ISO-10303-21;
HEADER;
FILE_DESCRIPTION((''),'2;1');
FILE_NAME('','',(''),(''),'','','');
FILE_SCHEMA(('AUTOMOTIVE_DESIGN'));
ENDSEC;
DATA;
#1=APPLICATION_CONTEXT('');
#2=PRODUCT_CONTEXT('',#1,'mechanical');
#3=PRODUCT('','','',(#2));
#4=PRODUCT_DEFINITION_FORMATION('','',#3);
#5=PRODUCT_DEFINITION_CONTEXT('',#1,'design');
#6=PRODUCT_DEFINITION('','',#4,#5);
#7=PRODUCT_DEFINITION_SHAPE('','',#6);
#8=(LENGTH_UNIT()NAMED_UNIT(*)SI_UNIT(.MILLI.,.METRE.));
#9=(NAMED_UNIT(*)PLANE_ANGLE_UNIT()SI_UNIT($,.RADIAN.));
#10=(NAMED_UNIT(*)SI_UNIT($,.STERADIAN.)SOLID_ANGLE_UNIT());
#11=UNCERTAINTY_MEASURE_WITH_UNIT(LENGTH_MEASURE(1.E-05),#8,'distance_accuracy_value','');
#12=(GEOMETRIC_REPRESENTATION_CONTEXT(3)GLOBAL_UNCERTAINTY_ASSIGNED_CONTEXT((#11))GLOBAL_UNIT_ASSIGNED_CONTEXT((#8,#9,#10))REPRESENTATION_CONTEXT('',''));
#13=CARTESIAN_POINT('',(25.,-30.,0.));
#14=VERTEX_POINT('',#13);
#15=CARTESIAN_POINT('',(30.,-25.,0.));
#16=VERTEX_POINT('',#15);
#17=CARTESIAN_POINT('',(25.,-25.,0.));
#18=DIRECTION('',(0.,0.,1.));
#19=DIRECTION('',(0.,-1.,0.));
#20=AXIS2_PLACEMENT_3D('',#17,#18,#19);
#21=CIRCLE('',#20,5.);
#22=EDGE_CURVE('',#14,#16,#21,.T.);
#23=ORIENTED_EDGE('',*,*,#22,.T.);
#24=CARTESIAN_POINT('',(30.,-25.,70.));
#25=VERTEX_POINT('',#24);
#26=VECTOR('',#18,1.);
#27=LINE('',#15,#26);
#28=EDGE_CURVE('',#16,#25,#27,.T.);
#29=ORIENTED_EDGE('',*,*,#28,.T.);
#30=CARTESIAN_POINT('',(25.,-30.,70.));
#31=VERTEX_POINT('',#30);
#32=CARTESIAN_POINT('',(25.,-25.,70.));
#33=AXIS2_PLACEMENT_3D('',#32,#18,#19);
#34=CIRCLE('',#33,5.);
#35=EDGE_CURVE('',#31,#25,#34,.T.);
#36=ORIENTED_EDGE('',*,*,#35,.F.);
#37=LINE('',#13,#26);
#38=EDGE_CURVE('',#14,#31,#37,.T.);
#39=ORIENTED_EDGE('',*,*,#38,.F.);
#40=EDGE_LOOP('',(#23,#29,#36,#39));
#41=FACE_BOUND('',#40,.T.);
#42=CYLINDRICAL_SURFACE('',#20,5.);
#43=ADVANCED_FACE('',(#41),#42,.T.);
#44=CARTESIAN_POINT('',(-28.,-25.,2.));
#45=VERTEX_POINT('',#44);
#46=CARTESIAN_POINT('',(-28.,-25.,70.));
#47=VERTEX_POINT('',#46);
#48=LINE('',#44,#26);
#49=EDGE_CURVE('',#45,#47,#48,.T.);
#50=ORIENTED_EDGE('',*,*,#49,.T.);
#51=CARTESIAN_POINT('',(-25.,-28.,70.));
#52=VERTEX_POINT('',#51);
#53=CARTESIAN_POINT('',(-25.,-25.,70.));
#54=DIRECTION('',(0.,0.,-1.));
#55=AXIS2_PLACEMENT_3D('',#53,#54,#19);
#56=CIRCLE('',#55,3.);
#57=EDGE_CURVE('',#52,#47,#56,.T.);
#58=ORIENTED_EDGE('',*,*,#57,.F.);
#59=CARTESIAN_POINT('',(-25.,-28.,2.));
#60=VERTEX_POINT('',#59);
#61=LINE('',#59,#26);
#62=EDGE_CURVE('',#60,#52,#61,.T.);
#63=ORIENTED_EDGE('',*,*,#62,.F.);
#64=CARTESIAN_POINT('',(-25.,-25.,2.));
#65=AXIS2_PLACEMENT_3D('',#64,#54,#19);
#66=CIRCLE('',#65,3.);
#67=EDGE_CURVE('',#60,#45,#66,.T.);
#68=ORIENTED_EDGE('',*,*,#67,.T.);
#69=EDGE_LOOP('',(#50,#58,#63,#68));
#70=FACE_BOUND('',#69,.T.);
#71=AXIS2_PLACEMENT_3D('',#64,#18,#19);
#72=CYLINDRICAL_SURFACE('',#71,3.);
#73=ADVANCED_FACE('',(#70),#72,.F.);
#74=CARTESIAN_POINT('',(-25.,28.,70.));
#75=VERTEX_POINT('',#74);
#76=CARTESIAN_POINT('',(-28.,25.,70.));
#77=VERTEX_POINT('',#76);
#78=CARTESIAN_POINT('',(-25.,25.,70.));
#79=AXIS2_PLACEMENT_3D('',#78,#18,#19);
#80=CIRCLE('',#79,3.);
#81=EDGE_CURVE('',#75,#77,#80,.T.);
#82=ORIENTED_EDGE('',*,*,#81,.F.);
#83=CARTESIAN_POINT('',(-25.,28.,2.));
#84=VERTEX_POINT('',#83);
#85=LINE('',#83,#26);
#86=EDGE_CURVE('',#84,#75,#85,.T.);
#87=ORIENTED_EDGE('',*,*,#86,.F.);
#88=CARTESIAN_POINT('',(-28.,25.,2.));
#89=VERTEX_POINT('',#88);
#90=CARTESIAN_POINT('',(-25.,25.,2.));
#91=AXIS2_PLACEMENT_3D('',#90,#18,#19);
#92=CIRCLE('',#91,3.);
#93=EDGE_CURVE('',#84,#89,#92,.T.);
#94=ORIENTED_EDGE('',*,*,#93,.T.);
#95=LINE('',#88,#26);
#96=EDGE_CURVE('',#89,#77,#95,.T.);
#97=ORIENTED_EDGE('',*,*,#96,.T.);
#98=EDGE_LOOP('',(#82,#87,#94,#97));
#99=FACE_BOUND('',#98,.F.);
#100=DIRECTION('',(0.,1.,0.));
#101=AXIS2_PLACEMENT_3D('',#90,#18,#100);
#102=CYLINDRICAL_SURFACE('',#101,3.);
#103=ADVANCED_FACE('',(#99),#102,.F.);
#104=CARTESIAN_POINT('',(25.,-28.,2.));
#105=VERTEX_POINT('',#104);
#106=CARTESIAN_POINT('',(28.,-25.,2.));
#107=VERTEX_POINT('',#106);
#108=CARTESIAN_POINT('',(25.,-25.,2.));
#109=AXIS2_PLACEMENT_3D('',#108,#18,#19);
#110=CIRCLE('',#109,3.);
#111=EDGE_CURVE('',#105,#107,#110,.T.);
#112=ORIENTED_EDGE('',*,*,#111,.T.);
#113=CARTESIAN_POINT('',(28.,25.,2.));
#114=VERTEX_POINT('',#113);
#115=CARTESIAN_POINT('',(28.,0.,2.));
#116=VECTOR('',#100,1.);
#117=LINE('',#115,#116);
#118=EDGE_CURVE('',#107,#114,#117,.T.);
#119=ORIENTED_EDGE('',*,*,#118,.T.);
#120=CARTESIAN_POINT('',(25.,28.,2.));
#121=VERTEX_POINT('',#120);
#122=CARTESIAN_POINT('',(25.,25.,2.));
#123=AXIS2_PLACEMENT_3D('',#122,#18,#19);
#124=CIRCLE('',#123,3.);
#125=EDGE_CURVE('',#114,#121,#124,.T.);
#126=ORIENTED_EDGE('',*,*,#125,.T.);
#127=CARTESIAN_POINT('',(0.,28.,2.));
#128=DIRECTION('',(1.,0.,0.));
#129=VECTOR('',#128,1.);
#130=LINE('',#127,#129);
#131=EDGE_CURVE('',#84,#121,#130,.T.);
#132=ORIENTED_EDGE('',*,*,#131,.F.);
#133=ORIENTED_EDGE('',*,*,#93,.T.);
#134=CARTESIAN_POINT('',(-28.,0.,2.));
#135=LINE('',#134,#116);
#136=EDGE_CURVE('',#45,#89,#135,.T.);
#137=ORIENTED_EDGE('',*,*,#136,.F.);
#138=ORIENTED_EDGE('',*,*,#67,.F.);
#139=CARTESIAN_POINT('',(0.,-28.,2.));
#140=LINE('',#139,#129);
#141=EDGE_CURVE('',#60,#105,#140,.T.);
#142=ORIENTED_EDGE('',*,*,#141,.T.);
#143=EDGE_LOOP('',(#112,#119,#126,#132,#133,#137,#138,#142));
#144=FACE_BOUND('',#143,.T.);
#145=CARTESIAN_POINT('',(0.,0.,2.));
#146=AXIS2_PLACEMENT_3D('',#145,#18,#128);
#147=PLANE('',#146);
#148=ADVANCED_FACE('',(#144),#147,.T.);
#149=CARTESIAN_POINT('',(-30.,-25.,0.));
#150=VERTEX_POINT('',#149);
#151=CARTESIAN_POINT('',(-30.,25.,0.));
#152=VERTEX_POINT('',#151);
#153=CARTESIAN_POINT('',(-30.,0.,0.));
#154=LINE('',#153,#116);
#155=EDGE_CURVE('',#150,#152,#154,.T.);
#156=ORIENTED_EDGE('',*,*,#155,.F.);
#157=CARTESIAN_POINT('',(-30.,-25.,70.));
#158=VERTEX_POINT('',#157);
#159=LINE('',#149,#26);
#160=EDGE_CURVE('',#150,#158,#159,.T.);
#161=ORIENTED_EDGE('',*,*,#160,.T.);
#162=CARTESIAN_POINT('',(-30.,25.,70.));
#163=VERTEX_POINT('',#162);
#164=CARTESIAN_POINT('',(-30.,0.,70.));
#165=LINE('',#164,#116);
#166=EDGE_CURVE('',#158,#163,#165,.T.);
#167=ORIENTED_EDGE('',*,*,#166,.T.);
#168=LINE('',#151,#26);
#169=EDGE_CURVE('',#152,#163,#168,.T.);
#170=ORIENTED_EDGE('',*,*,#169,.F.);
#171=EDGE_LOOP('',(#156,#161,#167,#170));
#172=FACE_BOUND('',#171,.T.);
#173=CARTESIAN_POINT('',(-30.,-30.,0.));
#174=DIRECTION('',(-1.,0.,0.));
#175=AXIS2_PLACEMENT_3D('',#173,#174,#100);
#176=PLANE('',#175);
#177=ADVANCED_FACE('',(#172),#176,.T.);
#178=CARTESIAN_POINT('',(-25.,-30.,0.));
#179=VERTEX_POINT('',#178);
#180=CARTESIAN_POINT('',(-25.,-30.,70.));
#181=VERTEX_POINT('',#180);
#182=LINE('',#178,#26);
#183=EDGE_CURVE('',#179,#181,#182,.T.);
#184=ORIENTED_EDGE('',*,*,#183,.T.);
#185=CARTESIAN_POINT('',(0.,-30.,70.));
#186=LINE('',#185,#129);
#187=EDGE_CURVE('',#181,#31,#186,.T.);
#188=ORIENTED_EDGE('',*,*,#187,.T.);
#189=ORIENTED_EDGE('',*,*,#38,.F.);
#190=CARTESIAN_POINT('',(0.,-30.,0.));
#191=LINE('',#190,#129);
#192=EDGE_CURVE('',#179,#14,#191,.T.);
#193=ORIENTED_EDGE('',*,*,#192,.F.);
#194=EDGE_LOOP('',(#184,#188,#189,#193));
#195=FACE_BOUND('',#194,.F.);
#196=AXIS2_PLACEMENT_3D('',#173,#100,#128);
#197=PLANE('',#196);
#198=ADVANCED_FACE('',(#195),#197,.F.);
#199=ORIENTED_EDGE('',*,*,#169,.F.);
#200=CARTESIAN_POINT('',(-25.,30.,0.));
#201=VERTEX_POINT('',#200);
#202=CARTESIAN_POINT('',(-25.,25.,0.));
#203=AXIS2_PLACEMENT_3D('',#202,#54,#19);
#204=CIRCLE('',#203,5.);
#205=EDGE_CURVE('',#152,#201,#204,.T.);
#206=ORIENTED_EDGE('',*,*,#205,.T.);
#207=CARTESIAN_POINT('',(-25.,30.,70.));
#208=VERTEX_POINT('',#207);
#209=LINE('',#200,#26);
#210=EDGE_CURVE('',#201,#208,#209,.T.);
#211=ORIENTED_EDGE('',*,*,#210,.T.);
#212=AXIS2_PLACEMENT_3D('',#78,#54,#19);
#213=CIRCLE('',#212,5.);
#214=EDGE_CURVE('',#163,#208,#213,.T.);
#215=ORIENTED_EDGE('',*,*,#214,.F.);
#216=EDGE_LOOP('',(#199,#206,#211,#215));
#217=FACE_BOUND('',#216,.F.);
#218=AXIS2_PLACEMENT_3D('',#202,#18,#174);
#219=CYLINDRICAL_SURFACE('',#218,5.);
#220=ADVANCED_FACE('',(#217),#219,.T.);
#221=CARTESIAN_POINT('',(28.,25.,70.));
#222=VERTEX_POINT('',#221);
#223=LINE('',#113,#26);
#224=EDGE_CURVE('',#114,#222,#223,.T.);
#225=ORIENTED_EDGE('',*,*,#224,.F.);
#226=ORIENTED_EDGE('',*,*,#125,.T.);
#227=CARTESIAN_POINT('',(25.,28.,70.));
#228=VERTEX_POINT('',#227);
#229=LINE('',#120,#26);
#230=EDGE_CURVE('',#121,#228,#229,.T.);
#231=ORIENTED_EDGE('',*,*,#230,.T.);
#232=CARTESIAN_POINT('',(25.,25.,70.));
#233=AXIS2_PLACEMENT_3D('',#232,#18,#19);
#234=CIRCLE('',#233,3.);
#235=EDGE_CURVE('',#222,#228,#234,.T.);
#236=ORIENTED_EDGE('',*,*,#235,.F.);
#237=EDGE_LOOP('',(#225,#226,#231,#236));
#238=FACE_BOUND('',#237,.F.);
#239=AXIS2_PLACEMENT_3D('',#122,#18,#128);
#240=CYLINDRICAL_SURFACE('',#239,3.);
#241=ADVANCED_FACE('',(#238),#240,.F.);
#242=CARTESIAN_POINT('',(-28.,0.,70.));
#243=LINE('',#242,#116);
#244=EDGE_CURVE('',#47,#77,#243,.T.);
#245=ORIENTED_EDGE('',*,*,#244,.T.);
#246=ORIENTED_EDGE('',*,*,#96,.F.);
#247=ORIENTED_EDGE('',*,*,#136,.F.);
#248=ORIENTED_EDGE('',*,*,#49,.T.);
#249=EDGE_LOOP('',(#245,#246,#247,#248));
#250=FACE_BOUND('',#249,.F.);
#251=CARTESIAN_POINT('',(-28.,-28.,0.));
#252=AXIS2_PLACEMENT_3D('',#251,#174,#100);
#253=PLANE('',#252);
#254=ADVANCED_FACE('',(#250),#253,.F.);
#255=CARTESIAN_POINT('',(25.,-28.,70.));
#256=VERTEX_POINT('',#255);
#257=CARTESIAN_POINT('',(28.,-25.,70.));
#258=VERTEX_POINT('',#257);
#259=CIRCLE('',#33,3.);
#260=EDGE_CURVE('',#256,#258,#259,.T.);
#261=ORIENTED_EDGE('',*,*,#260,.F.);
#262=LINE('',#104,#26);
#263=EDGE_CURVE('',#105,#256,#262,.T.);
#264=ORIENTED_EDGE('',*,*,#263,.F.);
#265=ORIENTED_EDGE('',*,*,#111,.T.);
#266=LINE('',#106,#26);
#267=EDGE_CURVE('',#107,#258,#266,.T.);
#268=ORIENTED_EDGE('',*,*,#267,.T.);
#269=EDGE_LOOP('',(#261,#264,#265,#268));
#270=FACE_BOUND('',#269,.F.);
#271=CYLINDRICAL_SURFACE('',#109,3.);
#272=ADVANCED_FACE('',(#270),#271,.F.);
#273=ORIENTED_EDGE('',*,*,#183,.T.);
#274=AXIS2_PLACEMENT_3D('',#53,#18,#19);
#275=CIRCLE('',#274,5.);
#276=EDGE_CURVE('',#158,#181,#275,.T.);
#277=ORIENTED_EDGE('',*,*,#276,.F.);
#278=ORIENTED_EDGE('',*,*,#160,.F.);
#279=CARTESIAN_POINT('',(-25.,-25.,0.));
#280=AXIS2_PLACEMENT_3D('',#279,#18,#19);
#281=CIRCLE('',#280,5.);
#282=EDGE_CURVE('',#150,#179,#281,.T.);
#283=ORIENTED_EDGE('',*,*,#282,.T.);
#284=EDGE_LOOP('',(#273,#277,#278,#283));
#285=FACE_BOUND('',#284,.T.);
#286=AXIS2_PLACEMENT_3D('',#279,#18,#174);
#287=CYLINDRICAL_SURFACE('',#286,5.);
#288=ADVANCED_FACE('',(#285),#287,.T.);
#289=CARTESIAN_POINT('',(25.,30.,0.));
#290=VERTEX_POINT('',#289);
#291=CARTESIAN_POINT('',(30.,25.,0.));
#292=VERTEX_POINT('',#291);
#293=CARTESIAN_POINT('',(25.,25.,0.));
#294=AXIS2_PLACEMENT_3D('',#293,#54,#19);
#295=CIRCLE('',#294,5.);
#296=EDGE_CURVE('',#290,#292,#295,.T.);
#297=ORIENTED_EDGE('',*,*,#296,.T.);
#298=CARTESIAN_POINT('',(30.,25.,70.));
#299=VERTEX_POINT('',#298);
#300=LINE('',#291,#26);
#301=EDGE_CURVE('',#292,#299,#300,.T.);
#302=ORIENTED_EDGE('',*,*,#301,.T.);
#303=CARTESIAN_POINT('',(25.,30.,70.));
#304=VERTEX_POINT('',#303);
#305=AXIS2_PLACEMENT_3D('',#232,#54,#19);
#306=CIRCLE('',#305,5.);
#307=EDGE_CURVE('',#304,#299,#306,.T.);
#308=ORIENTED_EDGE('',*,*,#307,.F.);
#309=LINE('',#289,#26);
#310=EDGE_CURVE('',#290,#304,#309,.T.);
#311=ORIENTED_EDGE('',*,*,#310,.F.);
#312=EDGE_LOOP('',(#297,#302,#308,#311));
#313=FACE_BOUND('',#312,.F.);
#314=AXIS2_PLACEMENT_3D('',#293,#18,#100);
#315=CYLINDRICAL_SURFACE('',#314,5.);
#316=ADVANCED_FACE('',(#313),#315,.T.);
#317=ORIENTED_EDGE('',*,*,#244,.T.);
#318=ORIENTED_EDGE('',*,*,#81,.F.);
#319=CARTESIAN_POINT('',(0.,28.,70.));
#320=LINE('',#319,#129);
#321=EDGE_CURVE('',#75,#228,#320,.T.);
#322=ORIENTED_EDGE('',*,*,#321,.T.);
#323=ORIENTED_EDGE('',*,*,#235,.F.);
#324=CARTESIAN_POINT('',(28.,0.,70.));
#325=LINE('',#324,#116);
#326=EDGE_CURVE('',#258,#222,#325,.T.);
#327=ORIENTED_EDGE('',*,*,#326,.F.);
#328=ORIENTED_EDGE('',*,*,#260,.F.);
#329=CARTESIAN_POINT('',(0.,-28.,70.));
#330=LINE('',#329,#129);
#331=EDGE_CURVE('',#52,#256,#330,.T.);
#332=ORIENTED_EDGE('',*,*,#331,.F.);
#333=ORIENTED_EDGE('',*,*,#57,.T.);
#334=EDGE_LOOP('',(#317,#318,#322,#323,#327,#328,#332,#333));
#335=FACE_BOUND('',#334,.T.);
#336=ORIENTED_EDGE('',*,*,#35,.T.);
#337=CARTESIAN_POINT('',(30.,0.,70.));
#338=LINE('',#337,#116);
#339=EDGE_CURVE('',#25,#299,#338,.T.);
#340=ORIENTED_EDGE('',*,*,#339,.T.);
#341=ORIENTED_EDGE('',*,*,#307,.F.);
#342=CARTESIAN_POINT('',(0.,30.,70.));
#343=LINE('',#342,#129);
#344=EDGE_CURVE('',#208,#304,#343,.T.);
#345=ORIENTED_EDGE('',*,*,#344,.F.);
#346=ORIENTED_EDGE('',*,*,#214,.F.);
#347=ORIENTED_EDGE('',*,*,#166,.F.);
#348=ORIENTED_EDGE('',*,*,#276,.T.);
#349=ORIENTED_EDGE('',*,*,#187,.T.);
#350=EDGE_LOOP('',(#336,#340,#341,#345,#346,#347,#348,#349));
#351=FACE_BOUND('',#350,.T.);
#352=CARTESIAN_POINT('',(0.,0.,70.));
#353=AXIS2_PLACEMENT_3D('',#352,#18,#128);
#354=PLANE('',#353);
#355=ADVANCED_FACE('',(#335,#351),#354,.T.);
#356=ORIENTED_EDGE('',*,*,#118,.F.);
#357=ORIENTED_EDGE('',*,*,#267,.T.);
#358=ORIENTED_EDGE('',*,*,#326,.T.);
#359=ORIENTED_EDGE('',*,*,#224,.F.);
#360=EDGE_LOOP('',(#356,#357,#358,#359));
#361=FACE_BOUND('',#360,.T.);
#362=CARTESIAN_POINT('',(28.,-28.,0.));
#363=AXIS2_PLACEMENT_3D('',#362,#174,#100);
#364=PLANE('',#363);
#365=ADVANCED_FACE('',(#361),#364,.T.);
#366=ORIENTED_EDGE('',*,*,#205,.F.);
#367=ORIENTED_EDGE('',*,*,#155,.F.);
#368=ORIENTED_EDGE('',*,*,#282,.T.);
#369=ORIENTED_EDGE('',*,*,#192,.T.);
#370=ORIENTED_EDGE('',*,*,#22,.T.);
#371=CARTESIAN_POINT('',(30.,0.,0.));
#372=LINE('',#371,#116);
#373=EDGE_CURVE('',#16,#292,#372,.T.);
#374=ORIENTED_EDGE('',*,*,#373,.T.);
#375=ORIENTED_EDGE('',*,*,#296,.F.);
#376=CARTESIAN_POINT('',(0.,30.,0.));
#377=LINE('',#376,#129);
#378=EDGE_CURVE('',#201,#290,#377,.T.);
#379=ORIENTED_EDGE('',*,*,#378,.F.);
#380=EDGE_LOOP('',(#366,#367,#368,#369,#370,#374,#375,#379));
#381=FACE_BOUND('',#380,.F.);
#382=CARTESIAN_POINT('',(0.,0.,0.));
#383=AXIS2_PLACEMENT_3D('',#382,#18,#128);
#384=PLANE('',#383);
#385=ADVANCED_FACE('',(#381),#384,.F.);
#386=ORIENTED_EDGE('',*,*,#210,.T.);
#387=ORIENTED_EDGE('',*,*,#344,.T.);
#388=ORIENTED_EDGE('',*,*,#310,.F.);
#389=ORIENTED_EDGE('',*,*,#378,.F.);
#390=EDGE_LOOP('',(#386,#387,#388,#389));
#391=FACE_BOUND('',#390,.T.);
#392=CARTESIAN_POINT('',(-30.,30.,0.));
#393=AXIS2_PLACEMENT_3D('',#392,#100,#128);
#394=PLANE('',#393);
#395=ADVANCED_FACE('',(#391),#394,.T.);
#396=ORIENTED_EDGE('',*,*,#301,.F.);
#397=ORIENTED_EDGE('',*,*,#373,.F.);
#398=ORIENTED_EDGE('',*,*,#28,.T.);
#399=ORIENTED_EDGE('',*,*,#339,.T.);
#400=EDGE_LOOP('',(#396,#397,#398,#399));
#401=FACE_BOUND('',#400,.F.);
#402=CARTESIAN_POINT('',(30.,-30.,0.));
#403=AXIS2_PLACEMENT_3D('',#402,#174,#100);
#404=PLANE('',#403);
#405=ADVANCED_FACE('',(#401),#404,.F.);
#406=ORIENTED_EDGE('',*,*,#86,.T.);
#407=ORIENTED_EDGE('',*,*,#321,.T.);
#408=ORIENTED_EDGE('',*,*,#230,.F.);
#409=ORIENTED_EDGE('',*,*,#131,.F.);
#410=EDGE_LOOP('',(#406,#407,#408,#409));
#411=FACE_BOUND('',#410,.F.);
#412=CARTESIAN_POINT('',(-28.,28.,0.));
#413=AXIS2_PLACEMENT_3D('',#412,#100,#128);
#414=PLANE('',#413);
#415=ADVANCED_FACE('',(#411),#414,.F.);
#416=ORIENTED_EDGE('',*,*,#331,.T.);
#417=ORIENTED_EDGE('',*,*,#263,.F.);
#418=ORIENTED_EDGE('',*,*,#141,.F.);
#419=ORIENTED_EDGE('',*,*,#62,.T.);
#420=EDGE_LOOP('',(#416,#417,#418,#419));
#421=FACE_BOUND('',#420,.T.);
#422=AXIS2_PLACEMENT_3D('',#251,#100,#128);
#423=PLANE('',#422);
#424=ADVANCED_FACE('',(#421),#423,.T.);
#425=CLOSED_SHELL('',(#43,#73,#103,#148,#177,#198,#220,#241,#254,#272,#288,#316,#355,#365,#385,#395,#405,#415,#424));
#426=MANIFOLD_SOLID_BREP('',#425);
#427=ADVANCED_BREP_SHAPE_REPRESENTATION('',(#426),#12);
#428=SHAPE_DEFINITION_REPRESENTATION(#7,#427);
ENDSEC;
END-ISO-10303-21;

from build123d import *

# Parameters (mm, degrees)
F2_W     = 56
F2_H     = 56
F3_DEPTH = 2
F2_W_2   = 60
F2_H_2   = 60
F4_DEPTH = 70
F5_R     = 5
F6_R     = 3


with BuildPart() as f3:
    # F2 (on Top) → F3 (new body)
    with BuildSketch(Plane.XY):
        Rectangle(F2_W, F2_H)
    extrude(amount=F3_DEPTH)

    # F2 (on Top) → F4 (join)
    with BuildSketch(Plane.XY):
        Rectangle(F2_W_2, F2_H_2)
        Rectangle(F2_W, F2_H, mode=Mode.SUBTRACT)
    extrude(amount=F4_DEPTH)

    # F5
    f5_edges = [f3.edges().sort_by_distance(p)[0] for p in [
        (30, -30, 35),
        (-30, -30, 35),
        (30, 30, 35),
        (-30, 30, 35),
    ]]
    fillet(f5_edges, radius=F5_R)

    # F6
    f6_edges = [f3.edges().sort_by_distance(p)[0] for p in [
        (-28, 28, 36),
        (28, 28, 36),
        (28, -28, 36),
        (-28, -28, 36),
    ]]
    fillet(f6_edges, radius=F6_R)


solid = f3.part
